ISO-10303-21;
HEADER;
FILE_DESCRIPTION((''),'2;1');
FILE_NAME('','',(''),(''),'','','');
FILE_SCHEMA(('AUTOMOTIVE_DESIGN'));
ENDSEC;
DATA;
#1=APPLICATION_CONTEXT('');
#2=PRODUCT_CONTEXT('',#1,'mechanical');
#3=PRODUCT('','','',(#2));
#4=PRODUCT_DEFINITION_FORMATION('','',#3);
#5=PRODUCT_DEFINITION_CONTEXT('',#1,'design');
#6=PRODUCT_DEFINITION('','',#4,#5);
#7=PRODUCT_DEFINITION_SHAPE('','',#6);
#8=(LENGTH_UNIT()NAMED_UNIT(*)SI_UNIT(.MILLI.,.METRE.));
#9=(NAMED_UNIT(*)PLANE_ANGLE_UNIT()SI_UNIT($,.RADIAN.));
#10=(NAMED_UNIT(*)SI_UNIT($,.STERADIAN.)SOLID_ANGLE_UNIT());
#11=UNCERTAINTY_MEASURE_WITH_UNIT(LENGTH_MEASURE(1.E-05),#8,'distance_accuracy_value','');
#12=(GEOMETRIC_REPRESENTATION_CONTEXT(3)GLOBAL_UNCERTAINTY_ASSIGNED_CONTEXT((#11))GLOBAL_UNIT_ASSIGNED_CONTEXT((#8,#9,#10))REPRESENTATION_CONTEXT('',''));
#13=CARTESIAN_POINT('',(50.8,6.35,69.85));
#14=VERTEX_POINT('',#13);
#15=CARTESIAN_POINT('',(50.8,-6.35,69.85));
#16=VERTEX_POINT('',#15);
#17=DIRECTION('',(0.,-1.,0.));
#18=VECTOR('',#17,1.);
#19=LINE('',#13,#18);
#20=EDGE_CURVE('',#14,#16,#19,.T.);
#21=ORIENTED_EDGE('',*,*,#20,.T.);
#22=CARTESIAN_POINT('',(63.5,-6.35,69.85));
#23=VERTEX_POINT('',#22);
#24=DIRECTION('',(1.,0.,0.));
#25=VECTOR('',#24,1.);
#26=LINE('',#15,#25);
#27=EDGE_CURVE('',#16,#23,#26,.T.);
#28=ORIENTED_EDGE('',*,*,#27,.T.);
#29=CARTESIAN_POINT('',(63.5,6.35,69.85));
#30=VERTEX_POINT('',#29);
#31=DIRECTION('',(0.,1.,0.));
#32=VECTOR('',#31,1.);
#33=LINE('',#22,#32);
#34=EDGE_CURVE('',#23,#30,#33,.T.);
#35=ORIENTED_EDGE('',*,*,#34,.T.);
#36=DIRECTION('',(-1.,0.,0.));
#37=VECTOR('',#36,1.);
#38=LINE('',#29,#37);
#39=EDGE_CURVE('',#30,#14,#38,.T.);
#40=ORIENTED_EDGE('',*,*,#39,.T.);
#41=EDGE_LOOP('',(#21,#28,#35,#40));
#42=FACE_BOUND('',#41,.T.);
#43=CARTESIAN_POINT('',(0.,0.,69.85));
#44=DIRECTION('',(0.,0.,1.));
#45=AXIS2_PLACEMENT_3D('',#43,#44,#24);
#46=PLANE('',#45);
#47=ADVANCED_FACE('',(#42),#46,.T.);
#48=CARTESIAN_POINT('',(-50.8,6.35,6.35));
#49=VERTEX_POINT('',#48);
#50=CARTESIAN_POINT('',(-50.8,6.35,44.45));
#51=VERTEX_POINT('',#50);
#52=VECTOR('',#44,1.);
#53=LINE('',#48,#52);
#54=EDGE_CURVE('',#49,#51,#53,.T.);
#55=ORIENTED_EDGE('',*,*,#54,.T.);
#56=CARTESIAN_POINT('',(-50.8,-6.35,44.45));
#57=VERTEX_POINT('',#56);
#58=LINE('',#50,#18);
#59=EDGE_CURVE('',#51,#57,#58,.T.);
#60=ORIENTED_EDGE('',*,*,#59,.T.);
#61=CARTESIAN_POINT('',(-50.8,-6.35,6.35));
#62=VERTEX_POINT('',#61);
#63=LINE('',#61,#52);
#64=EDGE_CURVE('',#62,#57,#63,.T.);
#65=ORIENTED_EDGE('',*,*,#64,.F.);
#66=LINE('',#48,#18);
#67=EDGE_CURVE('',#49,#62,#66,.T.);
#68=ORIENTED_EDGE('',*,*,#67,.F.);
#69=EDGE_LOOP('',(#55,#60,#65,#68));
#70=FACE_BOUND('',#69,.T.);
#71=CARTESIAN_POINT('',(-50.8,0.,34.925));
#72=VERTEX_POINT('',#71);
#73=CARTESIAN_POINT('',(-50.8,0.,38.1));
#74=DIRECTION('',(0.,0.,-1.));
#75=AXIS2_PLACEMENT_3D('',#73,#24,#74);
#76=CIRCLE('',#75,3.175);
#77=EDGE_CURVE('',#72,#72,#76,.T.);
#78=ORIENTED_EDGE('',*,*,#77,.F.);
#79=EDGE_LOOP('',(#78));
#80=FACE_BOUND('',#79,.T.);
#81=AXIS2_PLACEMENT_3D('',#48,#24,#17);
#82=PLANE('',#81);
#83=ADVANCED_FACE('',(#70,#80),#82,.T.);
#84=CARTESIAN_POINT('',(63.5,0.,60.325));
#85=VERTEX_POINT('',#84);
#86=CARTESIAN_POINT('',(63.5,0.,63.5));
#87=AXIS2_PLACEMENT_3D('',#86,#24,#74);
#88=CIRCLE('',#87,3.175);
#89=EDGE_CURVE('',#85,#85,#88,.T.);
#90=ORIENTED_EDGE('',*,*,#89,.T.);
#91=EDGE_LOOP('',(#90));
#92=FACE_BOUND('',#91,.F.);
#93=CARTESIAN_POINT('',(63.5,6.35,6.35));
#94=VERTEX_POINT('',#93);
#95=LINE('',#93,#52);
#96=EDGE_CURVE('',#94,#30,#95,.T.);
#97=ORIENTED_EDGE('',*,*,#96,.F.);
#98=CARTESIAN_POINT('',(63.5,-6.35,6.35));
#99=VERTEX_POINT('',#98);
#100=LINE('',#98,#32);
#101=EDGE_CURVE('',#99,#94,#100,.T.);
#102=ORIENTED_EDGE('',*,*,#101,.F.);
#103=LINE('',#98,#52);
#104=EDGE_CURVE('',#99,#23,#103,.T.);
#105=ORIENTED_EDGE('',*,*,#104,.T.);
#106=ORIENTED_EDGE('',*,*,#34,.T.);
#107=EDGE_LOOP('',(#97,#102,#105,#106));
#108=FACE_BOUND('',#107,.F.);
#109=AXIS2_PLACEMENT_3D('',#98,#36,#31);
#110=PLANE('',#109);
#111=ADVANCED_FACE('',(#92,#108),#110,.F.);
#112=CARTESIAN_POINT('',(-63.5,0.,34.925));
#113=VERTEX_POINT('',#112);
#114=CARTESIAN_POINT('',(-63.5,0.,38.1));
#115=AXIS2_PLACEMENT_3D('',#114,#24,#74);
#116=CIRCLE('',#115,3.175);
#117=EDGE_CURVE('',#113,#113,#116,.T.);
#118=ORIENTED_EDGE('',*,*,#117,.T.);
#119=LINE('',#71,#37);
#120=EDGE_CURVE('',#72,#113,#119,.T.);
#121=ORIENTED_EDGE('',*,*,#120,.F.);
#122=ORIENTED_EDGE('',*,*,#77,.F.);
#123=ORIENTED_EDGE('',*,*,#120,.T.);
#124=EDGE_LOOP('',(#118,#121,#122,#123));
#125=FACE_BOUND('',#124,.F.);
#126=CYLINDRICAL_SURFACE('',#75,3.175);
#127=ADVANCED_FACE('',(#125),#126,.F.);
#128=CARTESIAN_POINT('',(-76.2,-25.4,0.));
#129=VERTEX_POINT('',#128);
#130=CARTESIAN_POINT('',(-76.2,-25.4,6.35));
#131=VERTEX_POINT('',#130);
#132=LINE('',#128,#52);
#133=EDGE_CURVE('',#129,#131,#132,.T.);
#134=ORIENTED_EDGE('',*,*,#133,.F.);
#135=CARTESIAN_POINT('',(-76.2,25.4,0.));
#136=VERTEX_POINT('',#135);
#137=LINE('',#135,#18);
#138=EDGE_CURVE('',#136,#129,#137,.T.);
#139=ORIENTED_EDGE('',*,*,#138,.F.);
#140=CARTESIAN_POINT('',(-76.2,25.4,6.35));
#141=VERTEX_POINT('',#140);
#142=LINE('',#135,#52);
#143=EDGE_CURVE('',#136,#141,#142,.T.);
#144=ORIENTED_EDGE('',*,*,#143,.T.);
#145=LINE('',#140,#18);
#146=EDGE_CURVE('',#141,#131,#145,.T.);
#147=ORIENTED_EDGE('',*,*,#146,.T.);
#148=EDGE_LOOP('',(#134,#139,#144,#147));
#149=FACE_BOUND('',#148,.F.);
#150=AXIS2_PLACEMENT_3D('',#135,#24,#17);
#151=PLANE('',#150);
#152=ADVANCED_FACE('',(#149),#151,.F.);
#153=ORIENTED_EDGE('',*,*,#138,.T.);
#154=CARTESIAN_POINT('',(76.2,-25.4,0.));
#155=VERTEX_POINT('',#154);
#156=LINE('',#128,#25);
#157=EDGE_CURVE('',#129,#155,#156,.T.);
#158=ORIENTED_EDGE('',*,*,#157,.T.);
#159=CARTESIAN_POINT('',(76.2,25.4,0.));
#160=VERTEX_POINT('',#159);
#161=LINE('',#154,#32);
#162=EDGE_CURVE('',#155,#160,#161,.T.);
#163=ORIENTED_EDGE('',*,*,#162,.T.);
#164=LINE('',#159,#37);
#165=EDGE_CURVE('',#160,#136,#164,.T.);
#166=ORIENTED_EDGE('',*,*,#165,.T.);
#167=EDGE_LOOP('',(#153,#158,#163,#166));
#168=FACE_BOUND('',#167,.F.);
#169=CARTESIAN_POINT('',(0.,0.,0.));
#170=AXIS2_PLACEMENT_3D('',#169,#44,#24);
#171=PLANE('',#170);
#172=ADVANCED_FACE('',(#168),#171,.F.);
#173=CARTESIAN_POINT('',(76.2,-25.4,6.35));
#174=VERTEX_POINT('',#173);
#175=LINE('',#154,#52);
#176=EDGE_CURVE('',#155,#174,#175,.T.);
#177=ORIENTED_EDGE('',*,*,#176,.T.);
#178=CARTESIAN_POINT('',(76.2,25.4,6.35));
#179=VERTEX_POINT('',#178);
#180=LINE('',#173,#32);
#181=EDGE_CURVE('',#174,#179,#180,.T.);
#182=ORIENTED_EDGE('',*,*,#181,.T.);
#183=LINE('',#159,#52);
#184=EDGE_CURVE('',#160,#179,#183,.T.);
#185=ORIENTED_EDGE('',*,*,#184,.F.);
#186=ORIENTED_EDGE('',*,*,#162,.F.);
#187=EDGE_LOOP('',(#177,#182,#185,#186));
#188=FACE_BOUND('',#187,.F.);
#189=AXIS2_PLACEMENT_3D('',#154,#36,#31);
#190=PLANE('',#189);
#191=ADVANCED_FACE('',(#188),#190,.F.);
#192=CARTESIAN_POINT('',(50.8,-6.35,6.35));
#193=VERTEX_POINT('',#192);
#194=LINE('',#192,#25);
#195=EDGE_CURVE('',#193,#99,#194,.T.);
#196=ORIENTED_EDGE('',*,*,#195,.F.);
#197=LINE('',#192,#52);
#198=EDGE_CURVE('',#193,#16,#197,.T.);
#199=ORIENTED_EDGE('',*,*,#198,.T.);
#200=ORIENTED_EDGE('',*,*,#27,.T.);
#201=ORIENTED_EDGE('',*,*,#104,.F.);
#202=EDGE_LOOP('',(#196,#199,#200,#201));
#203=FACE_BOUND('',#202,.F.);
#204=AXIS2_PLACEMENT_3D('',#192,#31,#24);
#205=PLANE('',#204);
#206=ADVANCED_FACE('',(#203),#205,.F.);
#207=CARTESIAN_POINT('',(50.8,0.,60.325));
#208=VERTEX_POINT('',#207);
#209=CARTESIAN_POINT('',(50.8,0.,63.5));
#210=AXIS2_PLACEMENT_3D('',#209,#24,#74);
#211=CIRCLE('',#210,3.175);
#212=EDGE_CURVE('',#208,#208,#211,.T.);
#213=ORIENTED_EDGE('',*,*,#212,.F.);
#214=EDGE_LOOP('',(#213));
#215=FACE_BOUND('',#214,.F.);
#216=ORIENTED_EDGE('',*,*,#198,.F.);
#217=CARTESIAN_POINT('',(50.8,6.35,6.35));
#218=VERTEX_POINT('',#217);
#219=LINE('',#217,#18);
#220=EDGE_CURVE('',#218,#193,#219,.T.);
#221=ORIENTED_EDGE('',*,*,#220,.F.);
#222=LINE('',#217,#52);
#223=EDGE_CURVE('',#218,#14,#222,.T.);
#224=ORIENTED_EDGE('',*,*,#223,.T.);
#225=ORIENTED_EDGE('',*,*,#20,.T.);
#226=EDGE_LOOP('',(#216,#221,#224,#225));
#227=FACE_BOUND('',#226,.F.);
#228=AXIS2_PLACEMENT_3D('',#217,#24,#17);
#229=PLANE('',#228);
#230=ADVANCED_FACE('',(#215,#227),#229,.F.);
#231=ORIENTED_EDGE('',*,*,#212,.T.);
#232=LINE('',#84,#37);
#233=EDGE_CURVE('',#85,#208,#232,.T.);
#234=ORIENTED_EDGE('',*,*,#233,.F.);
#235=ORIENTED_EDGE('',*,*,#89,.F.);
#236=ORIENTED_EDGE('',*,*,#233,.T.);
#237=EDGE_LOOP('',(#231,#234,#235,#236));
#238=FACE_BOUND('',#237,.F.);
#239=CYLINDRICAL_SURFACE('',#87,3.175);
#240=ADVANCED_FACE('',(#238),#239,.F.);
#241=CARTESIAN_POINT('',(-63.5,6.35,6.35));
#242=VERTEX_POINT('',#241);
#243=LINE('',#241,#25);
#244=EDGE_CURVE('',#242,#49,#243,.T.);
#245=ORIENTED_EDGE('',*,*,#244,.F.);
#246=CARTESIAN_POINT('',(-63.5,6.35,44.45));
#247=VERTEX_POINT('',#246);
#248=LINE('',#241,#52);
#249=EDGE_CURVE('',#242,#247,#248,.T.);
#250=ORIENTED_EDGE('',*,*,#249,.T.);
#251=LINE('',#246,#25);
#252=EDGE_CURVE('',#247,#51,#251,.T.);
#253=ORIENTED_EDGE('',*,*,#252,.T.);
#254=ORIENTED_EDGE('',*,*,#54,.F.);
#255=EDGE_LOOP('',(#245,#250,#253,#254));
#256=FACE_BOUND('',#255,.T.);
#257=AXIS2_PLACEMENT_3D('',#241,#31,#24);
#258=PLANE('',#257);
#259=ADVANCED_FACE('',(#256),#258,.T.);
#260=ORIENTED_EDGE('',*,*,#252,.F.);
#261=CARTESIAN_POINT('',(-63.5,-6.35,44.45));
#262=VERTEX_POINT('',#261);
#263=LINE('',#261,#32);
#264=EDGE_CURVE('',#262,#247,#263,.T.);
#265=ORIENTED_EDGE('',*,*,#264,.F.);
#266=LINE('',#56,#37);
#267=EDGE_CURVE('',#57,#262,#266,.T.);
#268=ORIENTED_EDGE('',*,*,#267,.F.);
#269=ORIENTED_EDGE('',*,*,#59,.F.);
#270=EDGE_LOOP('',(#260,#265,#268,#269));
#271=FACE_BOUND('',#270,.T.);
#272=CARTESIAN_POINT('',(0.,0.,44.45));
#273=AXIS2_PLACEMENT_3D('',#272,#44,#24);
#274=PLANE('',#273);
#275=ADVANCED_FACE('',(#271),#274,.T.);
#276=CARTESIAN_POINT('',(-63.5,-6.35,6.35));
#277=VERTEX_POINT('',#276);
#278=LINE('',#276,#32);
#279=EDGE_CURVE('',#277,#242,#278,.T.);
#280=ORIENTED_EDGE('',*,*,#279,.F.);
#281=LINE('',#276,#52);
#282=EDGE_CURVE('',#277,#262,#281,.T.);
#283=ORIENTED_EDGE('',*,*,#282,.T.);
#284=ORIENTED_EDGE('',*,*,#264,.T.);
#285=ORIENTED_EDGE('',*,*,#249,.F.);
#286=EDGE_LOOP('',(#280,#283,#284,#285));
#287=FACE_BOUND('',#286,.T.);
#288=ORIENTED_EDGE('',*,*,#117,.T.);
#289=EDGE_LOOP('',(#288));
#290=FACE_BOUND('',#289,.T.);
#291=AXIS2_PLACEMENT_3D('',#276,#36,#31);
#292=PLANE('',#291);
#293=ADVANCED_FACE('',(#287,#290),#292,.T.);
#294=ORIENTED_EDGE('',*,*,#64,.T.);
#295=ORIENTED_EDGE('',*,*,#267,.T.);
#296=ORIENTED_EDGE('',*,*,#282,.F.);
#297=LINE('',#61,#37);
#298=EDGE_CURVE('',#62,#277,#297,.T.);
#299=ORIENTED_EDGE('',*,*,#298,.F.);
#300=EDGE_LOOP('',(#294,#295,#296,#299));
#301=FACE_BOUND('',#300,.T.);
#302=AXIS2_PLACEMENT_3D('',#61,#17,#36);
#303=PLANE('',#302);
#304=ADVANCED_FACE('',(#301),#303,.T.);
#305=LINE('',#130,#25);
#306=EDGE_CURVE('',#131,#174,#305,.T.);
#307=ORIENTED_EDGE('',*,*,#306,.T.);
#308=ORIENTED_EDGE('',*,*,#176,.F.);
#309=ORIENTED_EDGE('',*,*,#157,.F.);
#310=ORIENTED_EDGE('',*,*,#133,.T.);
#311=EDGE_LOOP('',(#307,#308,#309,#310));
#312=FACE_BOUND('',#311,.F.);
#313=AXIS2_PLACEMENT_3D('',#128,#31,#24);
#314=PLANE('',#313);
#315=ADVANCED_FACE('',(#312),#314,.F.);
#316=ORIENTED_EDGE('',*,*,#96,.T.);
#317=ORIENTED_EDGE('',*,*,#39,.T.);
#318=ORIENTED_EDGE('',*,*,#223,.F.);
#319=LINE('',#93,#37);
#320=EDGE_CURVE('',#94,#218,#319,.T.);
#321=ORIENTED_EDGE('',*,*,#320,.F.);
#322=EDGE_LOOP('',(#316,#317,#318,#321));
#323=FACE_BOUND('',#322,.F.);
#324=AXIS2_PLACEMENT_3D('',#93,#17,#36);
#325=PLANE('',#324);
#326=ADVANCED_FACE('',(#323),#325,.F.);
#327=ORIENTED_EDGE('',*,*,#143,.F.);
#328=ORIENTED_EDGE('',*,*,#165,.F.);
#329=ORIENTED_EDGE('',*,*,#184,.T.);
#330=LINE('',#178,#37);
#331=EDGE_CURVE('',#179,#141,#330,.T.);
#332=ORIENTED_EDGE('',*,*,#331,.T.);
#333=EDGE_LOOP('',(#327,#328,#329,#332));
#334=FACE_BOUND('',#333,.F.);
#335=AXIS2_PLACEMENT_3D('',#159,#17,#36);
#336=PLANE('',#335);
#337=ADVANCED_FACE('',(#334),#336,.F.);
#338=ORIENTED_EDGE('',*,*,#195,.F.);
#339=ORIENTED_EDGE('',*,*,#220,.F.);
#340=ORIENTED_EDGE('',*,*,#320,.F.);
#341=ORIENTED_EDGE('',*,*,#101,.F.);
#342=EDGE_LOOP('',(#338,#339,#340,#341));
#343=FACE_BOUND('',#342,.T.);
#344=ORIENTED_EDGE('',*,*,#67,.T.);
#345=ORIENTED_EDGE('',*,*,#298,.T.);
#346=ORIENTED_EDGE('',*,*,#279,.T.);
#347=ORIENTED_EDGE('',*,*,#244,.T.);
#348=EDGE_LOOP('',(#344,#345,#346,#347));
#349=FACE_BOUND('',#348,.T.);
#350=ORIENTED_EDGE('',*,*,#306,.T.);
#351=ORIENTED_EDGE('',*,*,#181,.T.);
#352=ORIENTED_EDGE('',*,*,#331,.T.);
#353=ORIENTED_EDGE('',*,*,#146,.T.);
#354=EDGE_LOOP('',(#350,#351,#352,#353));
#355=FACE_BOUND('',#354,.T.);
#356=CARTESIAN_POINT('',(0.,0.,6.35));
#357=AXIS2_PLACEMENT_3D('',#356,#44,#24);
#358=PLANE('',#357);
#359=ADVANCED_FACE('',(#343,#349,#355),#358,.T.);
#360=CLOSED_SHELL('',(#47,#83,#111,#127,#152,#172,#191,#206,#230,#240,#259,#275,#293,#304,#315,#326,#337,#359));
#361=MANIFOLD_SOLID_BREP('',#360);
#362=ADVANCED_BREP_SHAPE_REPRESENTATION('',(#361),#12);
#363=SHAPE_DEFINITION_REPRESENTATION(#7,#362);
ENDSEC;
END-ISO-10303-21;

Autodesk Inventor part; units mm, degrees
ref_plane "YZ Plane" through (0, 0, 0) normal (1, 0, 0) x (0, 1, 0)
ref_plane "XZ Plane" through (0, 0, 0) normal (0, 1, 0) x (-1, 0, 0)
ref_plane "XY Plane" through (0, 0, 0) normal (0, 0, 1) x (1, 0, 0)
sketch "Sketch1" plane through (0, 0, 0) normal (0, 0, 1) x (1, 0, 0)
  line L0 (-76.2, -25.4) -> (76.2, -25.4)
  line L1 (76.2, -25.4) -> (76.2, 25.4)
  line L2 (76.2, 25.4) -> (-76.2, 25.4)
  line L3 (-76.2, 25.4) -> (-76.2, -25.4)
  line L4 (-76.2, -25.4) -> (76.2, 25.4) construction
  line L5 (76.2, -25.4) -> (-76.2, 25.4) construction
  point P0 (0, 0)
  dimension "d0" = 152.4
  dimension "d1" = 50.8
extrude "Extrusion1" add sketch "Sketch1" along normal blind 6.35
sketch "Sketch2" plane through (0, 0, 6.35) normal (0, 0, 1) x (1, 0, 0)
  line L0 (-76.2, 25.4) -> (-76.2, -25.4) projected
  line L1 (-63.5, 6.35) -> (-50.8, 6.35)
  line L2 (-50.8, 6.35) -> (-50.8, -6.35)
  line L3 (-50.8, -6.35) -> (-63.5, -6.35)
  line L4 (-63.5, -6.35) -> (-63.5, 6.35)
  point P0 (0, 0)
  dimension "d4" = 12.7
  dimension "d5" = 12.7
  dimension "d6" = 6.35
  dimension "d7" = 12.7
extrude "Extrusion2" add sketch "Sketch2" along normal blind 38.1
sketch "Sketch3" plane through (0, 0, 6.35) normal (0, 0, 1) x (1, 0, 0)
  line L0 (76.2, -25.4) -> (76.2, 25.4) projected
  line L1 (50.8, -6.35) -> (63.5, -6.35)
  line L2 (63.5, -6.35) -> (63.5, 6.35)
  line L3 (63.5, 6.35) -> (50.8, 6.35)
  line L4 (50.8, 6.35) -> (50.8, -6.35)
  point P0 (0, 0)
  dimension "d10" = 12.7
  dimension "d11" = 12.7
  dimension "d12" = 6.35
  dimension "d13" = 12.7
extrude "Extrusion3" add sketch "Sketch3" along normal blind 63.5
sketch "Sketch4" plane through (63.5, -6.35, 6.35) normal (1, 0, 0) x (0, 0, -1)
  circle A0 centre (-57.15, 6.35) radius 3.175
  line L0 (0, 12.7) -> (-63.5, 12.7) projected
  line L1 (-63.5, 0) -> (-63.5, 12.7) projected
  point P0 (6.35, 6.35)
  dimension "d16" = 6.35
  dimension "d19" = 6.35
  dimension "d20" = 6.35
extrude "Extrusion4" cut sketch "Sketch4" against normal through all
sketch "Sketch5" plane through (-50.8, -6.35, 6.35) normal (1, 0, 0) x (0, 0, -1)
  line L0 (0, 12.7) -> (-38.1, 12.7) projected
  line L1 (-38.1, 0) -> (-38.1, 12.7) projected
  circle A0 centre (-31.75, 6.35) radius 3.175
  point P0 (6.35, 6.35)
  dimension "d21" = 6.35
  dimension "d22" = 6.35
  dimension "d23" = 6.35
extrude "Extrusion5" cut sketch "Sketch5" against normal through all
equation "\"d5\" = d4"
equation "\"d6\" = 0.5 * d4"
equation "\"d12\" = 0.5 * d11"
properties part number "base" material "Silicon Nitride"
